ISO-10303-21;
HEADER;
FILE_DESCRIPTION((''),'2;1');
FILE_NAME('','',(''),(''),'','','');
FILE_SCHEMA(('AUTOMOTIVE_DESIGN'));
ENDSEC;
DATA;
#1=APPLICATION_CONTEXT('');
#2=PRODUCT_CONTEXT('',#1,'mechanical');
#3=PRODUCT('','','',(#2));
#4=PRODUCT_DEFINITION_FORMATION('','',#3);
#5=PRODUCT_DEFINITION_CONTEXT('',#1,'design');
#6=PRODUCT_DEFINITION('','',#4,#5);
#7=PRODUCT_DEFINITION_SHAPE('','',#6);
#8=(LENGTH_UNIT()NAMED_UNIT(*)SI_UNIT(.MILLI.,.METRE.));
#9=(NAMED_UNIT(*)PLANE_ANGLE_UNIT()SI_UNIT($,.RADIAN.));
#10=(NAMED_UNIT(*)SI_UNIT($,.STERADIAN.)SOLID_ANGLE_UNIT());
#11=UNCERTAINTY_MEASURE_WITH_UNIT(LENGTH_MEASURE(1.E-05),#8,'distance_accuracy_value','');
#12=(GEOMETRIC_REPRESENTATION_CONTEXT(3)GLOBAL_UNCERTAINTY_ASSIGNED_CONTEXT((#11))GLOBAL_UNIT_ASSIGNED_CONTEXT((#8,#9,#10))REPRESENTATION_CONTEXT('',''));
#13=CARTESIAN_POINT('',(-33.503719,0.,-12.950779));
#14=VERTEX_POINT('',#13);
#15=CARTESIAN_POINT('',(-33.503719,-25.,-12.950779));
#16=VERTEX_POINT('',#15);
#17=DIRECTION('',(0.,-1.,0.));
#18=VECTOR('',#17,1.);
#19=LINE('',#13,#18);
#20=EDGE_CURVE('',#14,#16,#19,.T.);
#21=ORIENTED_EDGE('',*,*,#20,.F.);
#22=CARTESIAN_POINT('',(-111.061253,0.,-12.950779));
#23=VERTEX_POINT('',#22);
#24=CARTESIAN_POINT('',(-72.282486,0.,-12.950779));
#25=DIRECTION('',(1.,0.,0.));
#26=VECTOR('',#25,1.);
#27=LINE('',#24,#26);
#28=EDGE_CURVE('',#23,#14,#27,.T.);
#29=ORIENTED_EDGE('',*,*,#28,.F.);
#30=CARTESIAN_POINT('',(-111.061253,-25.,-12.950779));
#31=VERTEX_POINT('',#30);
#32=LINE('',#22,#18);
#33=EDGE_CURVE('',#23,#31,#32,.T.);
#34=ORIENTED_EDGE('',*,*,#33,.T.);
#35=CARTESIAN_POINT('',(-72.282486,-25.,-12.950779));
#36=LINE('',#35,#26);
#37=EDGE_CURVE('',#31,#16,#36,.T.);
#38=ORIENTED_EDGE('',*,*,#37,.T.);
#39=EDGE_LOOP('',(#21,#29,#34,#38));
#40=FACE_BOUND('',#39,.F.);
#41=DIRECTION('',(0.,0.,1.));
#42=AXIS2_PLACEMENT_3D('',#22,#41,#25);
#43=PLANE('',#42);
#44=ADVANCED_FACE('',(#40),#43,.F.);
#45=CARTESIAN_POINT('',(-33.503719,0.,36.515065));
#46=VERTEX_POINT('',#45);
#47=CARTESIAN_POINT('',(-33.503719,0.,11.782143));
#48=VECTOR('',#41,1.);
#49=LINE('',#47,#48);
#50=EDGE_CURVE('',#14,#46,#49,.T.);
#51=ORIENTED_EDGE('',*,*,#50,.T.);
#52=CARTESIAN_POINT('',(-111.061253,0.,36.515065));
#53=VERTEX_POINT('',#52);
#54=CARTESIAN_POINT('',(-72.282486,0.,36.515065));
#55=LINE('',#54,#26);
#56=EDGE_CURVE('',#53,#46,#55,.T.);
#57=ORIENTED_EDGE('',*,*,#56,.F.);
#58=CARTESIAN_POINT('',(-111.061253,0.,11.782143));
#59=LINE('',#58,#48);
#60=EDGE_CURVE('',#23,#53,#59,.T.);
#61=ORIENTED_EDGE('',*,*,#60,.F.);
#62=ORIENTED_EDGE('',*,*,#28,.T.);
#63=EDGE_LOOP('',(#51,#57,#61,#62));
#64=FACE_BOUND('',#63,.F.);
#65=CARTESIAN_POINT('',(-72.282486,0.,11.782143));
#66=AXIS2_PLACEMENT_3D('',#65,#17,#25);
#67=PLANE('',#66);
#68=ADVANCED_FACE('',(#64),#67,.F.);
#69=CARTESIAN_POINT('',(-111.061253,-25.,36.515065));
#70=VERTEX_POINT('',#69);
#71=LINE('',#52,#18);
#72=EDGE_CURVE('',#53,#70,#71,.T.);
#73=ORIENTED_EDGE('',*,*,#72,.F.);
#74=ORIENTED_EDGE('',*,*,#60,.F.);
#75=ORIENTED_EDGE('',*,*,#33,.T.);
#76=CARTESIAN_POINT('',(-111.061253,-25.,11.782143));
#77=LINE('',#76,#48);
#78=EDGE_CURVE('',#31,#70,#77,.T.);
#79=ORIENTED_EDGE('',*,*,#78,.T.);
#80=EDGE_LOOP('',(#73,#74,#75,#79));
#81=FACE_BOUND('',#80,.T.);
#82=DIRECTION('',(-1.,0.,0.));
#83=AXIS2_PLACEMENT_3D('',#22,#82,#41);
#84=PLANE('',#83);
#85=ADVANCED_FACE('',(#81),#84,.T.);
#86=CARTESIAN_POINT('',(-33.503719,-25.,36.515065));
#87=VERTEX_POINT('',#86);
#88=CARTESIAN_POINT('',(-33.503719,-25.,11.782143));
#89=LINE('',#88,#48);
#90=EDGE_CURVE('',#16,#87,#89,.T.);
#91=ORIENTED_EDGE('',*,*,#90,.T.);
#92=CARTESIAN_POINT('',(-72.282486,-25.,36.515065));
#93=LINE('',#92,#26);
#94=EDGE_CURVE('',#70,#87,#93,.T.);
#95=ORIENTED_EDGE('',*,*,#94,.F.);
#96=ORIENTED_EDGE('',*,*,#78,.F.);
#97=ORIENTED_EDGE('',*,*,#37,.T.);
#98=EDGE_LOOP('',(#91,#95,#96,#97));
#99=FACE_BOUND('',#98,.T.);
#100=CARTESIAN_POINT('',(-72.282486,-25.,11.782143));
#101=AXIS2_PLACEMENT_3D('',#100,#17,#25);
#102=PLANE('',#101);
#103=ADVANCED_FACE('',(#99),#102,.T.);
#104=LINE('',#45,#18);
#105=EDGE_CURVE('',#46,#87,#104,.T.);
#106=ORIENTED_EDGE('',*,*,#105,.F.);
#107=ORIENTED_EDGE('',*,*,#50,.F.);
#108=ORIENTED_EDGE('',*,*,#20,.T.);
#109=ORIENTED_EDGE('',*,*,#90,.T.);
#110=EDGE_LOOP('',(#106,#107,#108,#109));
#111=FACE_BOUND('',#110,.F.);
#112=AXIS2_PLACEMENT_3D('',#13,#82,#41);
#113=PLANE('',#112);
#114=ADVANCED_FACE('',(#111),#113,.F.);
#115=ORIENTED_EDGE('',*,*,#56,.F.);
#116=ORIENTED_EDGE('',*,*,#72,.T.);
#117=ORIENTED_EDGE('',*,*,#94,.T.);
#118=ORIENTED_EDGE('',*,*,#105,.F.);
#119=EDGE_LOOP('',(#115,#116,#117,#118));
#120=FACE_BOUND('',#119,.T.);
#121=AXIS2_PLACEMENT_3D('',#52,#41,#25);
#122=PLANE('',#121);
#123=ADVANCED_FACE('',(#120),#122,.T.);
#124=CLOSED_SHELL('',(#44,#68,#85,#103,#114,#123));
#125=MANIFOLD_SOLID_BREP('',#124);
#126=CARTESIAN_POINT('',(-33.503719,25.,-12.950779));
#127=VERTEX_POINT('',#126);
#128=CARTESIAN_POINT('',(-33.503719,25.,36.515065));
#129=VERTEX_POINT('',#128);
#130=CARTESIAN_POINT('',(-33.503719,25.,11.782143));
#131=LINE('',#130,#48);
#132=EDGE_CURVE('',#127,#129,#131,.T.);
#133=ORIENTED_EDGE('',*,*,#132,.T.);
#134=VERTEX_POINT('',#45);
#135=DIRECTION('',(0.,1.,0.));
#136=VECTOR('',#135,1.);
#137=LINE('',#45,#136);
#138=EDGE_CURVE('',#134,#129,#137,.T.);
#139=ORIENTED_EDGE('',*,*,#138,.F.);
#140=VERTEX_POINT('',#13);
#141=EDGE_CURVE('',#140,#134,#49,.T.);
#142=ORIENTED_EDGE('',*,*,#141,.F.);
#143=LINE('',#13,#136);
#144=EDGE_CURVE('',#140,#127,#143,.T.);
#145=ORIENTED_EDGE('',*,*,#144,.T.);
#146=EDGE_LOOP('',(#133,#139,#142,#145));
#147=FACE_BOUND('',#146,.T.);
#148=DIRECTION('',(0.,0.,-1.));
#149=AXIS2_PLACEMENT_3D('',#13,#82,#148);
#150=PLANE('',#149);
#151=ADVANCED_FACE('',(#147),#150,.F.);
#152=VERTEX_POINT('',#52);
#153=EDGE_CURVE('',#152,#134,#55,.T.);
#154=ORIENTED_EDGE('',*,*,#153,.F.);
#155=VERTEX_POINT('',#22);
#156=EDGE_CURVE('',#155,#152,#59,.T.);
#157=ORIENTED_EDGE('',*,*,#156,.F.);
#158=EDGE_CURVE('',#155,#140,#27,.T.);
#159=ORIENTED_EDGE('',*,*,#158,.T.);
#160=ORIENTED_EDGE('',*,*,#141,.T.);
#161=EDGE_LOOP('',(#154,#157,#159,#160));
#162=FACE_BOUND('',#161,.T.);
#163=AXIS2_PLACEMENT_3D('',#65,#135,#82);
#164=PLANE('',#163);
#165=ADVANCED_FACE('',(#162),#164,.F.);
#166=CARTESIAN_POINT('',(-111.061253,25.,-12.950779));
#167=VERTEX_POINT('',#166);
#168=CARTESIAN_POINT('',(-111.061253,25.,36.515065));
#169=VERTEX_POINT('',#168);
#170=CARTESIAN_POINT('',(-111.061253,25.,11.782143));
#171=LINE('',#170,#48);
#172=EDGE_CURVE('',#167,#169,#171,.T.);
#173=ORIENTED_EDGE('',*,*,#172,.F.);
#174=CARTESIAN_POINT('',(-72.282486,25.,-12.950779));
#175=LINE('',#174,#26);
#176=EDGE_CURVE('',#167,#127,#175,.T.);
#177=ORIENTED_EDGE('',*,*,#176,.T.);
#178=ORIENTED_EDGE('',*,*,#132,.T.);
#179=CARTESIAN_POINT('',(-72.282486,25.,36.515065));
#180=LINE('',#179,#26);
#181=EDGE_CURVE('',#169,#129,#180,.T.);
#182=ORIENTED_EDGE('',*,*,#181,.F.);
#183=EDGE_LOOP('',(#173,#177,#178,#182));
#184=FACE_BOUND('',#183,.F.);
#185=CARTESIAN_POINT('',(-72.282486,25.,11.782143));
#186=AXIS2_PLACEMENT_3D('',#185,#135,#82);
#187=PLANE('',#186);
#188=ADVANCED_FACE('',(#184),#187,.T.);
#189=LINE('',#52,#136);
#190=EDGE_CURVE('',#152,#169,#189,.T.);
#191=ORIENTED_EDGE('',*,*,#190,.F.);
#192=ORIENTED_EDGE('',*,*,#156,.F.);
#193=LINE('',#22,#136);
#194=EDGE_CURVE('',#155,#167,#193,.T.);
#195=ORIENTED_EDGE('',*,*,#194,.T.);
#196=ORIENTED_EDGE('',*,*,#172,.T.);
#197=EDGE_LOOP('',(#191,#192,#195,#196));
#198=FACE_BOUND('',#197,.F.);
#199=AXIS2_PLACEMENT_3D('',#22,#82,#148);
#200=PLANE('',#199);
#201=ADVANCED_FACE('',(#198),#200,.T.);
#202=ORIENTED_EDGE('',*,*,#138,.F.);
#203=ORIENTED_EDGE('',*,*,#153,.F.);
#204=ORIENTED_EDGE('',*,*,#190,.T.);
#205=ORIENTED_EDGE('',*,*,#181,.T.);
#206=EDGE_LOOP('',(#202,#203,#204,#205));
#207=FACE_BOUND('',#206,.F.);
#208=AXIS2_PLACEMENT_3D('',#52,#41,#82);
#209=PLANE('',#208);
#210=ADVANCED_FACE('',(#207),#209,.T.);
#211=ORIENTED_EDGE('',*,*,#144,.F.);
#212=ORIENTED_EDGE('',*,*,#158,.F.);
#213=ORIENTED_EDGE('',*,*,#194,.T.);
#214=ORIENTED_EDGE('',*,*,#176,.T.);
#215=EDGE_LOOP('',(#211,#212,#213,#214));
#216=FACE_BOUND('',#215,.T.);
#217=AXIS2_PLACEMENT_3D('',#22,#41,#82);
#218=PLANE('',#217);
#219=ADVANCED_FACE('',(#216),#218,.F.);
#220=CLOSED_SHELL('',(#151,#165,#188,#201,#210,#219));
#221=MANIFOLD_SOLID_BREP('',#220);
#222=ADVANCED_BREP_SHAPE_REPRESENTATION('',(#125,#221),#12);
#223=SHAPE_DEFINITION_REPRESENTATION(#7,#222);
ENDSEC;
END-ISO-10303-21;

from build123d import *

# Parameters (mm, degrees)
F0_W     = 77.557534
F0_H     = 49.465844
F1_DEPTH = 25


with BuildPart() as f1:
    # F0 (on Front) → F1 (new body)
    with BuildSketch(Plane.XZ):
        with Locations((-72.282486, 11.782143)):
            Rectangle(F0_W, F0_H)
    extrude(amount=F1_DEPTH)


with BuildPart() as f2_1:
    # F2: instance of F1
    add(f1.part.mirror(Plane.XZ))


solid = Compound([f1.part, f2_1.part])
